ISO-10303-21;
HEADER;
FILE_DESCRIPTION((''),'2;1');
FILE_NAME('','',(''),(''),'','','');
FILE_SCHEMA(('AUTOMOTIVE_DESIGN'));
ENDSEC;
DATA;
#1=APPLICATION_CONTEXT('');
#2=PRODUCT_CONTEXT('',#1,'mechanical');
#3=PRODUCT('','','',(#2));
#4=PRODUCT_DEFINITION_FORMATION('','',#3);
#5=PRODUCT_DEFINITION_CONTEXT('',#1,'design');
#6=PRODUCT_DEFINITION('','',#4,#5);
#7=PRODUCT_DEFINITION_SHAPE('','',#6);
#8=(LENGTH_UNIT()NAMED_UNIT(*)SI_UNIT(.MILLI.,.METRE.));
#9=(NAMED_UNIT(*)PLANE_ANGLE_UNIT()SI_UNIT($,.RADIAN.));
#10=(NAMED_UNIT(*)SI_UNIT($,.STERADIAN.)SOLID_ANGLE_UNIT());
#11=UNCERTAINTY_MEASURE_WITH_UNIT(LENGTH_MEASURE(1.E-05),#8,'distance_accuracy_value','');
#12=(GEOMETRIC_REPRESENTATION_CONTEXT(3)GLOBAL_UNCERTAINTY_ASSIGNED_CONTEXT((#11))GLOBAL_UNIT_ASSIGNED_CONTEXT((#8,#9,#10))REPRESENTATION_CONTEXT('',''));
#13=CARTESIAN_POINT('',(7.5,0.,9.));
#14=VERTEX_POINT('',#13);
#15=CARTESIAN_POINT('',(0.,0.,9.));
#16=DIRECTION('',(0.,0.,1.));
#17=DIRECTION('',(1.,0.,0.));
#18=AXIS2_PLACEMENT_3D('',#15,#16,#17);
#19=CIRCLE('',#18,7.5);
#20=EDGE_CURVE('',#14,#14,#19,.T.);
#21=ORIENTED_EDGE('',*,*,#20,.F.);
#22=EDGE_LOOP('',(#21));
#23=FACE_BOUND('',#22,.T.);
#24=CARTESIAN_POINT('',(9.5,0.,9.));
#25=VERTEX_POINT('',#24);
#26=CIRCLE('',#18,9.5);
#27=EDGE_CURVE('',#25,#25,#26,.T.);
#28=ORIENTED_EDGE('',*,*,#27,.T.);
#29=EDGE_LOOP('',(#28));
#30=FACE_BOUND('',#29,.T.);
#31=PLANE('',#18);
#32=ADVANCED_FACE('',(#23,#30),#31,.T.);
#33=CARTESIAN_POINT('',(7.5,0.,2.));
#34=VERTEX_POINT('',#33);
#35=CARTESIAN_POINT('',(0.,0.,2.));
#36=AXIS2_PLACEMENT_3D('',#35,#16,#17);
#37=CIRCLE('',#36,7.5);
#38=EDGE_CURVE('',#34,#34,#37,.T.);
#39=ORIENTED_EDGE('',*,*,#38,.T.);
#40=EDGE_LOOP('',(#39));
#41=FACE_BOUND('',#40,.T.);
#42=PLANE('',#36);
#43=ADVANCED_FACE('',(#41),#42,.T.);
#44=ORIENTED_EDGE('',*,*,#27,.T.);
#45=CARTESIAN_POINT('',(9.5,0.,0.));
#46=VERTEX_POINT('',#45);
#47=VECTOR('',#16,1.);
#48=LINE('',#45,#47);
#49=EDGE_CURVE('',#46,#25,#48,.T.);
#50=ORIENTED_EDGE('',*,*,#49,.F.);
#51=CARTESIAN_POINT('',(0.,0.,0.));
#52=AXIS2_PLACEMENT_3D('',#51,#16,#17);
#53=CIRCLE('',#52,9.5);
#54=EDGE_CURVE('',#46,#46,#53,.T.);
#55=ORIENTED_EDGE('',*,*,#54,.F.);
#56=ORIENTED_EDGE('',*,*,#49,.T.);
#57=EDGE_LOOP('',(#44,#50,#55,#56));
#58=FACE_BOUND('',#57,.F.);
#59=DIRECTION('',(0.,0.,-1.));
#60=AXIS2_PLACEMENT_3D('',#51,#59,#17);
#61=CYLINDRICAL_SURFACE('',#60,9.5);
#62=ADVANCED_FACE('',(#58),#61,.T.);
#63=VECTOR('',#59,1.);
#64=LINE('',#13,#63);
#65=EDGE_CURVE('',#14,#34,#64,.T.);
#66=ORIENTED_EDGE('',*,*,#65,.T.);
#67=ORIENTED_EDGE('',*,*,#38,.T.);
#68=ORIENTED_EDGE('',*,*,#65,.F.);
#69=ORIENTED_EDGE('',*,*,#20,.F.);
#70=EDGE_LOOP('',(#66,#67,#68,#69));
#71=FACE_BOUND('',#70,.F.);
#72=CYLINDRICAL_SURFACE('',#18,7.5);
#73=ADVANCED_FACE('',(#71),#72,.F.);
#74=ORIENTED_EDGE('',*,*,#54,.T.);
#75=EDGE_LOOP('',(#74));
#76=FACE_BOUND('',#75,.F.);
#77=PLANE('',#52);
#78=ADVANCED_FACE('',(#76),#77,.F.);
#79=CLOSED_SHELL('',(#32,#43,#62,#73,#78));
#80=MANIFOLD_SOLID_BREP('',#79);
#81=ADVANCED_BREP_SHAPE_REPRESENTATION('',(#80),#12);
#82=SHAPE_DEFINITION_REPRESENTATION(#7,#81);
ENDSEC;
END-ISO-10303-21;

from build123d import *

# Parameters (mm, degrees)
SKETCH1_R           = 9.5
BOSS_EXTRUDE1_DEPTH = 9
SKETCH2_R           = 7.5
CUT_EXTRUDE1_DEPTH  = 7


with BuildPart() as part:
    # Sketch1 → Boss-Extrude1 (new body)
    with BuildSketch(Plane.XY):
        Circle(SKETCH1_R)
    extrude(amount=BOSS_EXTRUDE1_DEPTH)

    # Sketch2 → Cut-Extrude1 (cut)
    with BuildSketch(Plane.XY.offset(9)):
        Circle(SKETCH2_R)
    extrude(amount=-CUT_EXTRUDE1_DEPTH, mode=Mode.SUBTRACT)


solid = part.part
